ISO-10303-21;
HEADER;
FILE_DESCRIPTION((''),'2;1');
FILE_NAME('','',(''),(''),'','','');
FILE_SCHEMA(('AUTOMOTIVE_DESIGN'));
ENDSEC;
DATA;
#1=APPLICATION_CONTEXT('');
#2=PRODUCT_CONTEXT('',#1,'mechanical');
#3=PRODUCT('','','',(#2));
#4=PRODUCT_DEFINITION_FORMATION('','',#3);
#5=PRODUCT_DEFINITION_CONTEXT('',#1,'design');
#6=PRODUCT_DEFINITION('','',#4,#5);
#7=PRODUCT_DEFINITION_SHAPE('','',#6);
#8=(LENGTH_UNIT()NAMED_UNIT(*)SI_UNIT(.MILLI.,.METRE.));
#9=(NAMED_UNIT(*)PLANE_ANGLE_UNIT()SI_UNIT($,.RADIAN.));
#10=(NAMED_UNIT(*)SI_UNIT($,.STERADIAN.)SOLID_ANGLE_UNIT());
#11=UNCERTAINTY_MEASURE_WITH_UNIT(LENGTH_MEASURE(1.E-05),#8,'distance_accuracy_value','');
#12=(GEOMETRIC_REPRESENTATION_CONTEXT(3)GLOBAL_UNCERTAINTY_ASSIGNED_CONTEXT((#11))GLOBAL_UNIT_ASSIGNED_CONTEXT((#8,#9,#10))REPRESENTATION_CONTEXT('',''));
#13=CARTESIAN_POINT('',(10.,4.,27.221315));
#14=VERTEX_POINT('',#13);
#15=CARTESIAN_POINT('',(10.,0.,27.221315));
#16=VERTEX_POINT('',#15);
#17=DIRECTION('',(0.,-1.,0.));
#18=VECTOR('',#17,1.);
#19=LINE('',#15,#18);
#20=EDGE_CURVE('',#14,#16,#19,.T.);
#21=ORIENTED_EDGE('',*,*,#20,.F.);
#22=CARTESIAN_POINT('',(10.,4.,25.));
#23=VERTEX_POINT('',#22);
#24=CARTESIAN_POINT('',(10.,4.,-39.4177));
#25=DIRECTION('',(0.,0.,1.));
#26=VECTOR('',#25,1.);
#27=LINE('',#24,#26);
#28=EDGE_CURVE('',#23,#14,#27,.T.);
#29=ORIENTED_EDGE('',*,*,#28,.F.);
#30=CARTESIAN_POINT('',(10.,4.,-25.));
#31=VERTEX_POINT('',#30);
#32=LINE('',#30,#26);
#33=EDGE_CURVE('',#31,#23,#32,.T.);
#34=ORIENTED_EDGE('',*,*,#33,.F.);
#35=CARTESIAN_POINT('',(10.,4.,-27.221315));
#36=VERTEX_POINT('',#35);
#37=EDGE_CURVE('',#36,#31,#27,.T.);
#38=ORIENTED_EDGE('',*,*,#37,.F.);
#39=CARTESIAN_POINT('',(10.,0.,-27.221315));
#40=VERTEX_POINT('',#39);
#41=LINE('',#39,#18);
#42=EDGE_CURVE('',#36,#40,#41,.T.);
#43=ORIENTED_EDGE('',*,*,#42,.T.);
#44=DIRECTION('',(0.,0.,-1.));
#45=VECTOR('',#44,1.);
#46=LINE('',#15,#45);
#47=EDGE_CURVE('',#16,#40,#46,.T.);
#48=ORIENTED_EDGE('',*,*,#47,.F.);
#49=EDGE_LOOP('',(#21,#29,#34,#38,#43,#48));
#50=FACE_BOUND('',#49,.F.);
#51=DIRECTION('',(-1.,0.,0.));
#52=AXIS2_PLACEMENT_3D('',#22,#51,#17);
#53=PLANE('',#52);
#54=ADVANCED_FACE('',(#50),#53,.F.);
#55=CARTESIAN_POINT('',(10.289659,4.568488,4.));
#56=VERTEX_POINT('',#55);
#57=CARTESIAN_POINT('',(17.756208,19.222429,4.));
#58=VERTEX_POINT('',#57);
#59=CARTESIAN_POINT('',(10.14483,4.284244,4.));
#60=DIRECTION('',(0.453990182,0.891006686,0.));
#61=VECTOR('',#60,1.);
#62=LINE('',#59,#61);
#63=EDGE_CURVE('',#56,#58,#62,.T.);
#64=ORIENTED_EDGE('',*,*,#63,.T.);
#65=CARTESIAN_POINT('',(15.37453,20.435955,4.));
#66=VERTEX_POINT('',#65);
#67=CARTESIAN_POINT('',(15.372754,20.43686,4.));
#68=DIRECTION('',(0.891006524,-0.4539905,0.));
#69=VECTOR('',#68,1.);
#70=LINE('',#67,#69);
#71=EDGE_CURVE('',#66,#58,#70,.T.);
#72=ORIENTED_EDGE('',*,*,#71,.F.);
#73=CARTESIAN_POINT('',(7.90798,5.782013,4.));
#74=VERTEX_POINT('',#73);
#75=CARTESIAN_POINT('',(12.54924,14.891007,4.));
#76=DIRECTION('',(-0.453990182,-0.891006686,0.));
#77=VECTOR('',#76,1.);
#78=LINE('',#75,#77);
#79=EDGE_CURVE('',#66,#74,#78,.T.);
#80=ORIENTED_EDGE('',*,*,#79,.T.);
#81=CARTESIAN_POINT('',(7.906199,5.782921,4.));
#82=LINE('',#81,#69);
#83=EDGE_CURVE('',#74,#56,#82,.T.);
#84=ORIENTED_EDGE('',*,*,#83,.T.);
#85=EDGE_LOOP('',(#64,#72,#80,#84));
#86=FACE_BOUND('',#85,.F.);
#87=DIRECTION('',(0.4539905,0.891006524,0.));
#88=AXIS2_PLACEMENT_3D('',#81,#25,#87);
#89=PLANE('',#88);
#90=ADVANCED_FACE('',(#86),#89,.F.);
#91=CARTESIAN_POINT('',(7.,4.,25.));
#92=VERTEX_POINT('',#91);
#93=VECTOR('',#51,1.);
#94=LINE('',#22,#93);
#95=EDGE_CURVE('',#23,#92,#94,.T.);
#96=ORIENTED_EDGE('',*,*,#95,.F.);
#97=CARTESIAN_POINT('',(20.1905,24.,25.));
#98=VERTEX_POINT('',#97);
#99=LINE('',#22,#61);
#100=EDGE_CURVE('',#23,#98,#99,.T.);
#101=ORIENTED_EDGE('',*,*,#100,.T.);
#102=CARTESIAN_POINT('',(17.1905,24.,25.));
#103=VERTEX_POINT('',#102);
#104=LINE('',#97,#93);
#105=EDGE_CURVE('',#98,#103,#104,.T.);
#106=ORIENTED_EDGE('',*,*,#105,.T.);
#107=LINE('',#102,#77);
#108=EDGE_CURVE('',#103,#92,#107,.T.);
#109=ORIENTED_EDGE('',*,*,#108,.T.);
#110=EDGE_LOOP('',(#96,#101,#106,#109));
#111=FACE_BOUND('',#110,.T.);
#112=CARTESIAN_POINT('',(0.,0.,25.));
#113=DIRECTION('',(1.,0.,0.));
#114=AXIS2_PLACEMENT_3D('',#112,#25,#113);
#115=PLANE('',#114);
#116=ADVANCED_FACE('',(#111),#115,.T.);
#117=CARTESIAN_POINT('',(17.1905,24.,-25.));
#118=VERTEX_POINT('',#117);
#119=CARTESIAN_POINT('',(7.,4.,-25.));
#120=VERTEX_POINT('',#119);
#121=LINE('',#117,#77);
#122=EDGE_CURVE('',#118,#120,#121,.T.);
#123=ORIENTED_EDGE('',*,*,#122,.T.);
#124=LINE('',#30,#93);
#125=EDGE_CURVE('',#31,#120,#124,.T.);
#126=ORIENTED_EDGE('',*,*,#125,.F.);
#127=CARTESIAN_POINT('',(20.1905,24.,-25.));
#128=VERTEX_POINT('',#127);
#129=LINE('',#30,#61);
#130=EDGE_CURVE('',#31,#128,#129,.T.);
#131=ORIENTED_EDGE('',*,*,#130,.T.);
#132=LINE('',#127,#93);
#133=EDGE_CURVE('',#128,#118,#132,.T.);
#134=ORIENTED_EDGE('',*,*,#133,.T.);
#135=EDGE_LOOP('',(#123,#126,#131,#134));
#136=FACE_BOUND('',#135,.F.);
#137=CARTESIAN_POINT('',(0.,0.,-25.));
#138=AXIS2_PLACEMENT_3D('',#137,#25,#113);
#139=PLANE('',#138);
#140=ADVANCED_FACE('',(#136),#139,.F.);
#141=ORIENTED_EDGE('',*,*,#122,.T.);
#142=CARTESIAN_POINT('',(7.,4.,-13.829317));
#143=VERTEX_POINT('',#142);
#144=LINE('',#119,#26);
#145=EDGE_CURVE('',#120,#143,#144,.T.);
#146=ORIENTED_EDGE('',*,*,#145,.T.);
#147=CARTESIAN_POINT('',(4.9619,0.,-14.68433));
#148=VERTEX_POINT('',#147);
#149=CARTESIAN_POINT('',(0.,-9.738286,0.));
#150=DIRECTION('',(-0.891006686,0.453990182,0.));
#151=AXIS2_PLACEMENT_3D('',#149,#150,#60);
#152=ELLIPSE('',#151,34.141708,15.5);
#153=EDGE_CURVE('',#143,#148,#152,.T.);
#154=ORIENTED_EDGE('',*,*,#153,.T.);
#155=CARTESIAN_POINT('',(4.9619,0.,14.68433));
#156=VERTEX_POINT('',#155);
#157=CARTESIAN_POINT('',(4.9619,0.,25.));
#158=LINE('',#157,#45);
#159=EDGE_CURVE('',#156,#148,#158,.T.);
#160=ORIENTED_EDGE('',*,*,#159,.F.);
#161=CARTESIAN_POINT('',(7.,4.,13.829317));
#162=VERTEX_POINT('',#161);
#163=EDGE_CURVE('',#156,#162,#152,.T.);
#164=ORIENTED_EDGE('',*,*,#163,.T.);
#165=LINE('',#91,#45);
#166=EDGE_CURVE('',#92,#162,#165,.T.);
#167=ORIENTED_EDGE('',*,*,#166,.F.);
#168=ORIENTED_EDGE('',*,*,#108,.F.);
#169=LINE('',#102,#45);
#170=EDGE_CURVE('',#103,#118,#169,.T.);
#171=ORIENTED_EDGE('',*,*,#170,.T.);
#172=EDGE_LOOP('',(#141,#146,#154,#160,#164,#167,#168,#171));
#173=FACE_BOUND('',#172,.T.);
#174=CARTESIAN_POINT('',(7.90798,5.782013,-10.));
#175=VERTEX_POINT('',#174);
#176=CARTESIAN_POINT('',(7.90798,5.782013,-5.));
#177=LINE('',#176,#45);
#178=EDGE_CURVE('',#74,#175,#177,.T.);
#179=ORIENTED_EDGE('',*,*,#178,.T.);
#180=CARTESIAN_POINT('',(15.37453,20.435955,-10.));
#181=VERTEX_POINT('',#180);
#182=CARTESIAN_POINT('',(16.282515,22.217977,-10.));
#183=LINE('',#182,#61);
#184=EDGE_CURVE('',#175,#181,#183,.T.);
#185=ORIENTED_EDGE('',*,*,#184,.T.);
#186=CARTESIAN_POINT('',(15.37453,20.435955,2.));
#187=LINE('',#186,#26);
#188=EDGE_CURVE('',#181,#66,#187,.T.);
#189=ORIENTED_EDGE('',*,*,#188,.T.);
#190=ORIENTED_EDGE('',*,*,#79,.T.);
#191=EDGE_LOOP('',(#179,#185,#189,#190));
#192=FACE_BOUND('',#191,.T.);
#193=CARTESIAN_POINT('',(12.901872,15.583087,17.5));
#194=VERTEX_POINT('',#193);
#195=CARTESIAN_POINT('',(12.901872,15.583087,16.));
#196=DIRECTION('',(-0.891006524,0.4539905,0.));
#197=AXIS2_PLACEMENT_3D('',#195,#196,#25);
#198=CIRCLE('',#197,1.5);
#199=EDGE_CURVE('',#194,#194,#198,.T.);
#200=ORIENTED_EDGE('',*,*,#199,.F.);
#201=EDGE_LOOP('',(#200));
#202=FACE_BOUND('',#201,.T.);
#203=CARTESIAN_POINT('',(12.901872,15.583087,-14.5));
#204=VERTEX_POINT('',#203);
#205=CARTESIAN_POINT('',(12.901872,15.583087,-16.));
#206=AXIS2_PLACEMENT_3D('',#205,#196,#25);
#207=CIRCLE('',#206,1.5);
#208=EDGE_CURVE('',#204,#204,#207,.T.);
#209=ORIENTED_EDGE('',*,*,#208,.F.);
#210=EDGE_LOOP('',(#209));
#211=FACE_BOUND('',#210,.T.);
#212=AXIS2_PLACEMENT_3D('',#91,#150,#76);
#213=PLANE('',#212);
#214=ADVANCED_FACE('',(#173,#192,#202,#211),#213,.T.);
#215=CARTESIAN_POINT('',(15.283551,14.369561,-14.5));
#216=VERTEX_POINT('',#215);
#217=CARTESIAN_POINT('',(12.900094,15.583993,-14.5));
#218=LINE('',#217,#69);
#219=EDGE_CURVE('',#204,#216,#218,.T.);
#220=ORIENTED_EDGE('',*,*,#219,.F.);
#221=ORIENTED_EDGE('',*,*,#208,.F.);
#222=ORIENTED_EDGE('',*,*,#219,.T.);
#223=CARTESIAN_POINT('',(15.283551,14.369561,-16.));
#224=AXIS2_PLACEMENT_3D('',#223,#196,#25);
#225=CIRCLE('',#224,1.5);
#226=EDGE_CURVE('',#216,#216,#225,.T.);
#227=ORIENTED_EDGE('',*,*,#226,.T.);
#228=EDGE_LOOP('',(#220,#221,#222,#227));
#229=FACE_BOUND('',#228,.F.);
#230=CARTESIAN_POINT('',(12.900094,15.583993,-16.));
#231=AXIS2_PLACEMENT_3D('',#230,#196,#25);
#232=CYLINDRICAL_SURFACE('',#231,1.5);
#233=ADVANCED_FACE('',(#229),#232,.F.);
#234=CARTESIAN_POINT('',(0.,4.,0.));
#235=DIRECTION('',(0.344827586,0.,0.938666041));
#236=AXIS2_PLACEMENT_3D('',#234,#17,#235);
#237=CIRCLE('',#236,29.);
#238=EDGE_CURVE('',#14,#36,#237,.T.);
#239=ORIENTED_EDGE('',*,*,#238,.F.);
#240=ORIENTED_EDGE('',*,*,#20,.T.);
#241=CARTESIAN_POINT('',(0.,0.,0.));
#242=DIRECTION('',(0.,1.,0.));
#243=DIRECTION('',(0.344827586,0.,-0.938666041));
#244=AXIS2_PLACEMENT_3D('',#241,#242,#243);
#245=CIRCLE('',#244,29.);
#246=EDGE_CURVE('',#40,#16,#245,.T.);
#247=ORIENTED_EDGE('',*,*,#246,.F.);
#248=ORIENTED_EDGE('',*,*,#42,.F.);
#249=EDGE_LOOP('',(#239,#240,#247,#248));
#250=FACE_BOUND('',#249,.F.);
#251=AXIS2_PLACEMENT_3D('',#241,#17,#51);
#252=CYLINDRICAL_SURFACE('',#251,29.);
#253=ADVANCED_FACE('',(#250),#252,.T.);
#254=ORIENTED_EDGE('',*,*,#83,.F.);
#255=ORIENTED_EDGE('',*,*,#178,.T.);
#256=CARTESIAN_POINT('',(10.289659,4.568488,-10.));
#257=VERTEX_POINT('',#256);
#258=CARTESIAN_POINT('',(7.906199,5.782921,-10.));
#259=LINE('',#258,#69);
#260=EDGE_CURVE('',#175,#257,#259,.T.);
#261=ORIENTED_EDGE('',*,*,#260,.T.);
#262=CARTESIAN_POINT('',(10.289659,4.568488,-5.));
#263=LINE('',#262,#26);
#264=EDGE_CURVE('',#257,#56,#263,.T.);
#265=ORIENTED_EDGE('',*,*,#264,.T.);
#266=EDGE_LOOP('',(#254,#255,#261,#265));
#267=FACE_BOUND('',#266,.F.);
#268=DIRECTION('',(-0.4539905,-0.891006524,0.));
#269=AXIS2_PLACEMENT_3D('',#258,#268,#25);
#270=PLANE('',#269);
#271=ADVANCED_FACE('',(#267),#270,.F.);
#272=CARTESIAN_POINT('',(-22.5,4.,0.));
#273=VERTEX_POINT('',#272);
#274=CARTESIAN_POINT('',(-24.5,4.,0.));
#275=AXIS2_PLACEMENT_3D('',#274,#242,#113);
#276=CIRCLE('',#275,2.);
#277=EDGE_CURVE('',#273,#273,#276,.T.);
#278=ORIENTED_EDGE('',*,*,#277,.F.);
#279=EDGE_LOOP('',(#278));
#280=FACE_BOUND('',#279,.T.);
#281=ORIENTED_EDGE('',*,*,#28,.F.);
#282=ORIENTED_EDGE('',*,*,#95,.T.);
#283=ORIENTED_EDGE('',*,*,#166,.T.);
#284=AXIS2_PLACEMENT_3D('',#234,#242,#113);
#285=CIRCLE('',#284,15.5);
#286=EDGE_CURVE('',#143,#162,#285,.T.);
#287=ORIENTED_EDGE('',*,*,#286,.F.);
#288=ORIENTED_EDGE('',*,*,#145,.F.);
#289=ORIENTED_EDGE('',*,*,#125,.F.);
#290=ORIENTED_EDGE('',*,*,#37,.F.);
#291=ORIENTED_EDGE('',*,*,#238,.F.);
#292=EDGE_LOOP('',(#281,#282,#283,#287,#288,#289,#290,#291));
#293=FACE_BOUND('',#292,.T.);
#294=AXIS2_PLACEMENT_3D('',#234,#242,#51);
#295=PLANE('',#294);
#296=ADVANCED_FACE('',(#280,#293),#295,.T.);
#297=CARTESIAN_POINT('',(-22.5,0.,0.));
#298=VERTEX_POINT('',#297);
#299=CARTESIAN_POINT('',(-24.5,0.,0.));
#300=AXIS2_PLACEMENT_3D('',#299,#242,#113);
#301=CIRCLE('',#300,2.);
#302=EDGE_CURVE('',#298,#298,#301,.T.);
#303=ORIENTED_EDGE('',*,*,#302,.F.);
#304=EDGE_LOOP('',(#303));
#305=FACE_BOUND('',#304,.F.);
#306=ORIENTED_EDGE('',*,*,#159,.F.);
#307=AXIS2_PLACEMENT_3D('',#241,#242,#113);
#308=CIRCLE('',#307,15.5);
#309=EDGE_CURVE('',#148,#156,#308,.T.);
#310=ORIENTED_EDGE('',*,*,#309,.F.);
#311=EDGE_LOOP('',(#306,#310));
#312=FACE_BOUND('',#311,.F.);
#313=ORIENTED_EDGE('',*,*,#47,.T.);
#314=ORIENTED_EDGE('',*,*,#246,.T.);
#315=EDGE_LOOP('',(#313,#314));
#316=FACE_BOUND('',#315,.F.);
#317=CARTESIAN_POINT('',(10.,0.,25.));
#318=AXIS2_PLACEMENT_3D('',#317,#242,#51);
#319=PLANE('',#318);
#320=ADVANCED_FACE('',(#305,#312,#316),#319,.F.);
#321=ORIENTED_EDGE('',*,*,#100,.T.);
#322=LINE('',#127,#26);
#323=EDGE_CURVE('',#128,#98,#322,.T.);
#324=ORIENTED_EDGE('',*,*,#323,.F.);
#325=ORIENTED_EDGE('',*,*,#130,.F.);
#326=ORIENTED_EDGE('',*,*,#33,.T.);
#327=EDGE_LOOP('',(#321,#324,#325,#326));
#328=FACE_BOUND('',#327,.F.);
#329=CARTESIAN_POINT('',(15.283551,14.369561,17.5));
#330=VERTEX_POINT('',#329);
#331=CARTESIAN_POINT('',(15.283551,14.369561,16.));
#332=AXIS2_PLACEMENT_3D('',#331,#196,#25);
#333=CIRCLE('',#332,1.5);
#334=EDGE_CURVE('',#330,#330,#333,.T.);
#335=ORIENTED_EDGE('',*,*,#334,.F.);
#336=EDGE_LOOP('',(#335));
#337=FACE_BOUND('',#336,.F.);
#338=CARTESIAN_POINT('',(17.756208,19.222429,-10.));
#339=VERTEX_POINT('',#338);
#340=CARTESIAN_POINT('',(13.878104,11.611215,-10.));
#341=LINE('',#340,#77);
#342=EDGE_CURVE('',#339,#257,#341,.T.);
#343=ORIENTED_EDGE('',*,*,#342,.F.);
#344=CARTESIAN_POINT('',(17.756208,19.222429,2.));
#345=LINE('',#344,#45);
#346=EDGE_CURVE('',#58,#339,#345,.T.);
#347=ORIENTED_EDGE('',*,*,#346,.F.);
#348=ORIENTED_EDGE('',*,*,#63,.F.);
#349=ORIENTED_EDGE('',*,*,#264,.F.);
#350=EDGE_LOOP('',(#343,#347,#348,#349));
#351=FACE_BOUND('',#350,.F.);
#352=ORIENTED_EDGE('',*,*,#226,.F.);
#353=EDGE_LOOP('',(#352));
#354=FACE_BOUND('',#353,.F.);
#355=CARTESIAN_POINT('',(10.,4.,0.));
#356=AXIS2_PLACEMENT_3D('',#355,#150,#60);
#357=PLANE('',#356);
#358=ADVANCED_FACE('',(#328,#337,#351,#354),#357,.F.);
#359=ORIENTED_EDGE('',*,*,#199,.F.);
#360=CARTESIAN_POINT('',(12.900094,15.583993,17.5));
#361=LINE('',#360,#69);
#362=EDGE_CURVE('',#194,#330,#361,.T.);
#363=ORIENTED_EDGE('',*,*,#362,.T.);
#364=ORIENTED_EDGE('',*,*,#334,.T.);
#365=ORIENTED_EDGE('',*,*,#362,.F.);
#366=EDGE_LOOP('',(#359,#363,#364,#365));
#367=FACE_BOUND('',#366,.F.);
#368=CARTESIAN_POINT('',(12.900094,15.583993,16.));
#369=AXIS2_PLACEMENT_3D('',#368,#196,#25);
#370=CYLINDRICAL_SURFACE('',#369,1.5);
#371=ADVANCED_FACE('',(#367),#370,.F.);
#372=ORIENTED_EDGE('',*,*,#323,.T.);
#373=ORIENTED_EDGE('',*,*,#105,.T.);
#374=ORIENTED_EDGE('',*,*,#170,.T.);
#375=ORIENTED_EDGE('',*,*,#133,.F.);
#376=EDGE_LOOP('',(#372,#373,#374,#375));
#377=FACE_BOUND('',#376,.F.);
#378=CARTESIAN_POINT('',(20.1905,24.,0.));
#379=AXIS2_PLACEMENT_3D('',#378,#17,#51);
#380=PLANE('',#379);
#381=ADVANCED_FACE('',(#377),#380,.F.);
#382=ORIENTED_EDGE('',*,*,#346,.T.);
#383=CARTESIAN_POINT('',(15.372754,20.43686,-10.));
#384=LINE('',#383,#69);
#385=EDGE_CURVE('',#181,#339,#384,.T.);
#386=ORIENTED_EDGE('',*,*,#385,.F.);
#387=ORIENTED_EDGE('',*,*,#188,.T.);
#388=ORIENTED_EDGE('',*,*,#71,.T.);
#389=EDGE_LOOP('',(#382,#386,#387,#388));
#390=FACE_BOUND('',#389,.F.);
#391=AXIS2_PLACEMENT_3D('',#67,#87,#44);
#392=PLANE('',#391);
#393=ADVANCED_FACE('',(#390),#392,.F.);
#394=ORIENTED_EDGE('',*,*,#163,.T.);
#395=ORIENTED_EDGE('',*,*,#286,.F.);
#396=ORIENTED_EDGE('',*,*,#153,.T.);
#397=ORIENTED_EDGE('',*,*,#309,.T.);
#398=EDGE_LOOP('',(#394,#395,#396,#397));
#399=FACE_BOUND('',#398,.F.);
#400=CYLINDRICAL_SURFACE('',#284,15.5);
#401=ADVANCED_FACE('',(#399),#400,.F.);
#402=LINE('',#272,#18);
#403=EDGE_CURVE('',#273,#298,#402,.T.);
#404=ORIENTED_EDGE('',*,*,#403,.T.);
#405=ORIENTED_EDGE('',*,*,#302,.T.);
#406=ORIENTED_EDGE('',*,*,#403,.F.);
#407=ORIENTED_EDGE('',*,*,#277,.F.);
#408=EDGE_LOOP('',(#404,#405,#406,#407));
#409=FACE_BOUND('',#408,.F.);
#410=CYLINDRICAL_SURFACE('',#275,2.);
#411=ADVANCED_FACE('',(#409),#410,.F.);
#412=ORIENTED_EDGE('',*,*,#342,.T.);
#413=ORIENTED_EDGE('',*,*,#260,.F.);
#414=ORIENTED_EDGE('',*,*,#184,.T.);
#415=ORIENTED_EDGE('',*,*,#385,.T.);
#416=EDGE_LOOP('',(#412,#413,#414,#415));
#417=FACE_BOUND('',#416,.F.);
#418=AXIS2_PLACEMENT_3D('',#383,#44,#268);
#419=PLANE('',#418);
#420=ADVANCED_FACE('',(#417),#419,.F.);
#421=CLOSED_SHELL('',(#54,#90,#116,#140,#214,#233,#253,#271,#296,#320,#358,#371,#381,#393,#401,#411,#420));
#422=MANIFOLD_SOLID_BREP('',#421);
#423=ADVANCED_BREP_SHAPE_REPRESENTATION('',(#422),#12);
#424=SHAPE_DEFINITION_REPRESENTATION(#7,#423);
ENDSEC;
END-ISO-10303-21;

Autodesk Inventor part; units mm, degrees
ref_plane "YZ Plane" through (0, 0, 0) normal (1, 0, 0) x (0, 1, 0)
ref_plane "XZ Plane" through (0, 0, 0) normal (0, 1, 0) x (-1, 0, 0)
ref_plane "XY Plane" through (0, 0, 0) normal (0, 0, 1) x (1, 0, 0)
sketch "Sketch1" plane through (0, 0, 0) normal (0, 1, 0) x (-1, 0, 0)
  circle A0 centre (0, 0) radius 29
  dimension "d0" = 58
extrude "Extrusion1" add sketch "Sketch1" along normal blind 4
sketch "Sketch2" plane through (0, 4, 0) normal (0, 1, 0) x (1, 0, 0)
  circle A0 centre (0, 0) radius 15.5
  dimension "d3" = 31
extrude "Extrusion2" cut sketch "Sketch2" against normal through all
sketch "Sketch3" plane through (0, 4, 0) normal (0, 1, 0) x (1, 0, 0)
  circle A0 centre (-24.5, 0) radius 2
  point P0 (0, 0)
  dimension "d6" = 24.5
  dimension "d7" = 4
extrude "Extrusion3" cut sketch "Sketch3" against normal through all
sketch "Sketch4" plane through (0, 4, 0) normal (0, 1, 0) x (1, 0, 0)
  line L0 (10, -34.3438) -> (33.4765, -34.3438)
  line L1 (33.4765, -34.3438) -> (33.4765, 39.4177)
  line L2 (33.4765, 39.4177) -> (10, 39.4177)
  line L3 (10, 39.4177) -> (10, -34.3438)
  point P0 (0, 0)
  dimension "d13" = 10
extrude "Extrusion4" cut sketch "Sketch4" against normal blind 10
sketch "Sketch5" plane through (0, 0, 0) normal (0, 0, 1) x (1, 0, 0)
  line L0 (10, 4) -> (-29, 4) projected
  line L1 (10, 4) -> (20.1905, 24)
  line L2 (10, 4) -> (32.4465, 4) construction
  line L3 (20.1905, 24) -> (17.1905, 24)
  line L4 (17.1905, 24) -> (7, 4)
  line L5 (7, 4) -> (10, 4)
  line L6 (10, 0) -> (10, 4) projected
  line L7 (10, 4) -> (10, 0)
  line L8 (7, 4) -> (4.9619, 0)
  line L9 (10, 0) -> (-15.5, 0) projected
  line L10 (4.9619, 0) -> (10, 0)
  point P0 (0, 0)
  point P1 (7, 4)
  point P2 (18.6905, 24)
  dimension "d16" = 63
  dimension "d17" = 3
  dimension "d18" = 117
  dimension "d21" = 20
extrude "Extrusion5" add sketch "Sketch5" along normal mid plane 50 contours L0 L4 L3 L1
sketch "Sketch6" plane through (7, 4, -25) normal (-0.891, 0.454, 0) x (0, 0, 1)
  line L0 (11.1707, 0) -> (38.8293, 0) projected
  line L1 (15, 2) -> (29, 2)
  line L2 (29, 2) -> (29, 18.4465)
  line L3 (29, 18.4465) -> (15, 18.4465)
  line L4 (15, 18.4465) -> (15, 2)
  line L5 (50, 22.4465) -> (0, 22.4465) projected
  point P0 (25, -6.742)
  point P1 (25, 0)
  point P2 (25, 0)
  point P3 (40, 22.4465)
  point P4 (10, 22.4465)
  dimension "d37" = 4
  dimension "d38" = 10
  dimension "d39" = 4
  dimension "d40" = 2
extrude "Extrusion6" cut sketch "Sketch6" against normal blind 46
sketch "Sketch7" plane through (7, 4, -25) normal (-0.891, 0.454, 0) x (0, 0, 1)
  circle A0 centre (9, 13) radius 1.5
  circle A1 centre (41, 13) radius 1.5
  line L0 (50, 0) -> (38.8293, 0) projected
  line L1 (11.1707, 0) -> (0, 0) projected
  ellipse E0 centre (25, -14.3007) end of major axis (27, -14.3007) minor radius 0.908 projected
  point P0 (25, -6.742)
  dimension "d29" = 3
  dimension "d30" = 3
  dimension "d31" = 13
  dimension "d32" = 13
  dimension "d46" = 16
  dimension "d47" = 16
extrude "Extrusion7" cut sketch "Sketch7" against normal blind 46 contours A0 | A1
sketch "Sketch8" plane through (0, 0, 25) normal (0, 0, 1) x (1, 0, 0)
  line L0 (10, 4) -> (10, 0) projected
  line L1 (10, 4) -> (10, 0)
  line L2 (10, 4) -> (-29, 4) projected
  line L3 (7, 4) -> (4.9619, 0)
  line L4 (10, 0) -> (-29, 0) projected
  line L5 (7, 4) -> (11.4893, 4) construction
  line L6 (4.9619, 0) -> (10, 0)
  point P0 (0, 0)
  dimension "d43" = 117
extrude "Extrusion8" add sketch "Sketch8" against normal blind 46
properties part number "Nose cam retention"
